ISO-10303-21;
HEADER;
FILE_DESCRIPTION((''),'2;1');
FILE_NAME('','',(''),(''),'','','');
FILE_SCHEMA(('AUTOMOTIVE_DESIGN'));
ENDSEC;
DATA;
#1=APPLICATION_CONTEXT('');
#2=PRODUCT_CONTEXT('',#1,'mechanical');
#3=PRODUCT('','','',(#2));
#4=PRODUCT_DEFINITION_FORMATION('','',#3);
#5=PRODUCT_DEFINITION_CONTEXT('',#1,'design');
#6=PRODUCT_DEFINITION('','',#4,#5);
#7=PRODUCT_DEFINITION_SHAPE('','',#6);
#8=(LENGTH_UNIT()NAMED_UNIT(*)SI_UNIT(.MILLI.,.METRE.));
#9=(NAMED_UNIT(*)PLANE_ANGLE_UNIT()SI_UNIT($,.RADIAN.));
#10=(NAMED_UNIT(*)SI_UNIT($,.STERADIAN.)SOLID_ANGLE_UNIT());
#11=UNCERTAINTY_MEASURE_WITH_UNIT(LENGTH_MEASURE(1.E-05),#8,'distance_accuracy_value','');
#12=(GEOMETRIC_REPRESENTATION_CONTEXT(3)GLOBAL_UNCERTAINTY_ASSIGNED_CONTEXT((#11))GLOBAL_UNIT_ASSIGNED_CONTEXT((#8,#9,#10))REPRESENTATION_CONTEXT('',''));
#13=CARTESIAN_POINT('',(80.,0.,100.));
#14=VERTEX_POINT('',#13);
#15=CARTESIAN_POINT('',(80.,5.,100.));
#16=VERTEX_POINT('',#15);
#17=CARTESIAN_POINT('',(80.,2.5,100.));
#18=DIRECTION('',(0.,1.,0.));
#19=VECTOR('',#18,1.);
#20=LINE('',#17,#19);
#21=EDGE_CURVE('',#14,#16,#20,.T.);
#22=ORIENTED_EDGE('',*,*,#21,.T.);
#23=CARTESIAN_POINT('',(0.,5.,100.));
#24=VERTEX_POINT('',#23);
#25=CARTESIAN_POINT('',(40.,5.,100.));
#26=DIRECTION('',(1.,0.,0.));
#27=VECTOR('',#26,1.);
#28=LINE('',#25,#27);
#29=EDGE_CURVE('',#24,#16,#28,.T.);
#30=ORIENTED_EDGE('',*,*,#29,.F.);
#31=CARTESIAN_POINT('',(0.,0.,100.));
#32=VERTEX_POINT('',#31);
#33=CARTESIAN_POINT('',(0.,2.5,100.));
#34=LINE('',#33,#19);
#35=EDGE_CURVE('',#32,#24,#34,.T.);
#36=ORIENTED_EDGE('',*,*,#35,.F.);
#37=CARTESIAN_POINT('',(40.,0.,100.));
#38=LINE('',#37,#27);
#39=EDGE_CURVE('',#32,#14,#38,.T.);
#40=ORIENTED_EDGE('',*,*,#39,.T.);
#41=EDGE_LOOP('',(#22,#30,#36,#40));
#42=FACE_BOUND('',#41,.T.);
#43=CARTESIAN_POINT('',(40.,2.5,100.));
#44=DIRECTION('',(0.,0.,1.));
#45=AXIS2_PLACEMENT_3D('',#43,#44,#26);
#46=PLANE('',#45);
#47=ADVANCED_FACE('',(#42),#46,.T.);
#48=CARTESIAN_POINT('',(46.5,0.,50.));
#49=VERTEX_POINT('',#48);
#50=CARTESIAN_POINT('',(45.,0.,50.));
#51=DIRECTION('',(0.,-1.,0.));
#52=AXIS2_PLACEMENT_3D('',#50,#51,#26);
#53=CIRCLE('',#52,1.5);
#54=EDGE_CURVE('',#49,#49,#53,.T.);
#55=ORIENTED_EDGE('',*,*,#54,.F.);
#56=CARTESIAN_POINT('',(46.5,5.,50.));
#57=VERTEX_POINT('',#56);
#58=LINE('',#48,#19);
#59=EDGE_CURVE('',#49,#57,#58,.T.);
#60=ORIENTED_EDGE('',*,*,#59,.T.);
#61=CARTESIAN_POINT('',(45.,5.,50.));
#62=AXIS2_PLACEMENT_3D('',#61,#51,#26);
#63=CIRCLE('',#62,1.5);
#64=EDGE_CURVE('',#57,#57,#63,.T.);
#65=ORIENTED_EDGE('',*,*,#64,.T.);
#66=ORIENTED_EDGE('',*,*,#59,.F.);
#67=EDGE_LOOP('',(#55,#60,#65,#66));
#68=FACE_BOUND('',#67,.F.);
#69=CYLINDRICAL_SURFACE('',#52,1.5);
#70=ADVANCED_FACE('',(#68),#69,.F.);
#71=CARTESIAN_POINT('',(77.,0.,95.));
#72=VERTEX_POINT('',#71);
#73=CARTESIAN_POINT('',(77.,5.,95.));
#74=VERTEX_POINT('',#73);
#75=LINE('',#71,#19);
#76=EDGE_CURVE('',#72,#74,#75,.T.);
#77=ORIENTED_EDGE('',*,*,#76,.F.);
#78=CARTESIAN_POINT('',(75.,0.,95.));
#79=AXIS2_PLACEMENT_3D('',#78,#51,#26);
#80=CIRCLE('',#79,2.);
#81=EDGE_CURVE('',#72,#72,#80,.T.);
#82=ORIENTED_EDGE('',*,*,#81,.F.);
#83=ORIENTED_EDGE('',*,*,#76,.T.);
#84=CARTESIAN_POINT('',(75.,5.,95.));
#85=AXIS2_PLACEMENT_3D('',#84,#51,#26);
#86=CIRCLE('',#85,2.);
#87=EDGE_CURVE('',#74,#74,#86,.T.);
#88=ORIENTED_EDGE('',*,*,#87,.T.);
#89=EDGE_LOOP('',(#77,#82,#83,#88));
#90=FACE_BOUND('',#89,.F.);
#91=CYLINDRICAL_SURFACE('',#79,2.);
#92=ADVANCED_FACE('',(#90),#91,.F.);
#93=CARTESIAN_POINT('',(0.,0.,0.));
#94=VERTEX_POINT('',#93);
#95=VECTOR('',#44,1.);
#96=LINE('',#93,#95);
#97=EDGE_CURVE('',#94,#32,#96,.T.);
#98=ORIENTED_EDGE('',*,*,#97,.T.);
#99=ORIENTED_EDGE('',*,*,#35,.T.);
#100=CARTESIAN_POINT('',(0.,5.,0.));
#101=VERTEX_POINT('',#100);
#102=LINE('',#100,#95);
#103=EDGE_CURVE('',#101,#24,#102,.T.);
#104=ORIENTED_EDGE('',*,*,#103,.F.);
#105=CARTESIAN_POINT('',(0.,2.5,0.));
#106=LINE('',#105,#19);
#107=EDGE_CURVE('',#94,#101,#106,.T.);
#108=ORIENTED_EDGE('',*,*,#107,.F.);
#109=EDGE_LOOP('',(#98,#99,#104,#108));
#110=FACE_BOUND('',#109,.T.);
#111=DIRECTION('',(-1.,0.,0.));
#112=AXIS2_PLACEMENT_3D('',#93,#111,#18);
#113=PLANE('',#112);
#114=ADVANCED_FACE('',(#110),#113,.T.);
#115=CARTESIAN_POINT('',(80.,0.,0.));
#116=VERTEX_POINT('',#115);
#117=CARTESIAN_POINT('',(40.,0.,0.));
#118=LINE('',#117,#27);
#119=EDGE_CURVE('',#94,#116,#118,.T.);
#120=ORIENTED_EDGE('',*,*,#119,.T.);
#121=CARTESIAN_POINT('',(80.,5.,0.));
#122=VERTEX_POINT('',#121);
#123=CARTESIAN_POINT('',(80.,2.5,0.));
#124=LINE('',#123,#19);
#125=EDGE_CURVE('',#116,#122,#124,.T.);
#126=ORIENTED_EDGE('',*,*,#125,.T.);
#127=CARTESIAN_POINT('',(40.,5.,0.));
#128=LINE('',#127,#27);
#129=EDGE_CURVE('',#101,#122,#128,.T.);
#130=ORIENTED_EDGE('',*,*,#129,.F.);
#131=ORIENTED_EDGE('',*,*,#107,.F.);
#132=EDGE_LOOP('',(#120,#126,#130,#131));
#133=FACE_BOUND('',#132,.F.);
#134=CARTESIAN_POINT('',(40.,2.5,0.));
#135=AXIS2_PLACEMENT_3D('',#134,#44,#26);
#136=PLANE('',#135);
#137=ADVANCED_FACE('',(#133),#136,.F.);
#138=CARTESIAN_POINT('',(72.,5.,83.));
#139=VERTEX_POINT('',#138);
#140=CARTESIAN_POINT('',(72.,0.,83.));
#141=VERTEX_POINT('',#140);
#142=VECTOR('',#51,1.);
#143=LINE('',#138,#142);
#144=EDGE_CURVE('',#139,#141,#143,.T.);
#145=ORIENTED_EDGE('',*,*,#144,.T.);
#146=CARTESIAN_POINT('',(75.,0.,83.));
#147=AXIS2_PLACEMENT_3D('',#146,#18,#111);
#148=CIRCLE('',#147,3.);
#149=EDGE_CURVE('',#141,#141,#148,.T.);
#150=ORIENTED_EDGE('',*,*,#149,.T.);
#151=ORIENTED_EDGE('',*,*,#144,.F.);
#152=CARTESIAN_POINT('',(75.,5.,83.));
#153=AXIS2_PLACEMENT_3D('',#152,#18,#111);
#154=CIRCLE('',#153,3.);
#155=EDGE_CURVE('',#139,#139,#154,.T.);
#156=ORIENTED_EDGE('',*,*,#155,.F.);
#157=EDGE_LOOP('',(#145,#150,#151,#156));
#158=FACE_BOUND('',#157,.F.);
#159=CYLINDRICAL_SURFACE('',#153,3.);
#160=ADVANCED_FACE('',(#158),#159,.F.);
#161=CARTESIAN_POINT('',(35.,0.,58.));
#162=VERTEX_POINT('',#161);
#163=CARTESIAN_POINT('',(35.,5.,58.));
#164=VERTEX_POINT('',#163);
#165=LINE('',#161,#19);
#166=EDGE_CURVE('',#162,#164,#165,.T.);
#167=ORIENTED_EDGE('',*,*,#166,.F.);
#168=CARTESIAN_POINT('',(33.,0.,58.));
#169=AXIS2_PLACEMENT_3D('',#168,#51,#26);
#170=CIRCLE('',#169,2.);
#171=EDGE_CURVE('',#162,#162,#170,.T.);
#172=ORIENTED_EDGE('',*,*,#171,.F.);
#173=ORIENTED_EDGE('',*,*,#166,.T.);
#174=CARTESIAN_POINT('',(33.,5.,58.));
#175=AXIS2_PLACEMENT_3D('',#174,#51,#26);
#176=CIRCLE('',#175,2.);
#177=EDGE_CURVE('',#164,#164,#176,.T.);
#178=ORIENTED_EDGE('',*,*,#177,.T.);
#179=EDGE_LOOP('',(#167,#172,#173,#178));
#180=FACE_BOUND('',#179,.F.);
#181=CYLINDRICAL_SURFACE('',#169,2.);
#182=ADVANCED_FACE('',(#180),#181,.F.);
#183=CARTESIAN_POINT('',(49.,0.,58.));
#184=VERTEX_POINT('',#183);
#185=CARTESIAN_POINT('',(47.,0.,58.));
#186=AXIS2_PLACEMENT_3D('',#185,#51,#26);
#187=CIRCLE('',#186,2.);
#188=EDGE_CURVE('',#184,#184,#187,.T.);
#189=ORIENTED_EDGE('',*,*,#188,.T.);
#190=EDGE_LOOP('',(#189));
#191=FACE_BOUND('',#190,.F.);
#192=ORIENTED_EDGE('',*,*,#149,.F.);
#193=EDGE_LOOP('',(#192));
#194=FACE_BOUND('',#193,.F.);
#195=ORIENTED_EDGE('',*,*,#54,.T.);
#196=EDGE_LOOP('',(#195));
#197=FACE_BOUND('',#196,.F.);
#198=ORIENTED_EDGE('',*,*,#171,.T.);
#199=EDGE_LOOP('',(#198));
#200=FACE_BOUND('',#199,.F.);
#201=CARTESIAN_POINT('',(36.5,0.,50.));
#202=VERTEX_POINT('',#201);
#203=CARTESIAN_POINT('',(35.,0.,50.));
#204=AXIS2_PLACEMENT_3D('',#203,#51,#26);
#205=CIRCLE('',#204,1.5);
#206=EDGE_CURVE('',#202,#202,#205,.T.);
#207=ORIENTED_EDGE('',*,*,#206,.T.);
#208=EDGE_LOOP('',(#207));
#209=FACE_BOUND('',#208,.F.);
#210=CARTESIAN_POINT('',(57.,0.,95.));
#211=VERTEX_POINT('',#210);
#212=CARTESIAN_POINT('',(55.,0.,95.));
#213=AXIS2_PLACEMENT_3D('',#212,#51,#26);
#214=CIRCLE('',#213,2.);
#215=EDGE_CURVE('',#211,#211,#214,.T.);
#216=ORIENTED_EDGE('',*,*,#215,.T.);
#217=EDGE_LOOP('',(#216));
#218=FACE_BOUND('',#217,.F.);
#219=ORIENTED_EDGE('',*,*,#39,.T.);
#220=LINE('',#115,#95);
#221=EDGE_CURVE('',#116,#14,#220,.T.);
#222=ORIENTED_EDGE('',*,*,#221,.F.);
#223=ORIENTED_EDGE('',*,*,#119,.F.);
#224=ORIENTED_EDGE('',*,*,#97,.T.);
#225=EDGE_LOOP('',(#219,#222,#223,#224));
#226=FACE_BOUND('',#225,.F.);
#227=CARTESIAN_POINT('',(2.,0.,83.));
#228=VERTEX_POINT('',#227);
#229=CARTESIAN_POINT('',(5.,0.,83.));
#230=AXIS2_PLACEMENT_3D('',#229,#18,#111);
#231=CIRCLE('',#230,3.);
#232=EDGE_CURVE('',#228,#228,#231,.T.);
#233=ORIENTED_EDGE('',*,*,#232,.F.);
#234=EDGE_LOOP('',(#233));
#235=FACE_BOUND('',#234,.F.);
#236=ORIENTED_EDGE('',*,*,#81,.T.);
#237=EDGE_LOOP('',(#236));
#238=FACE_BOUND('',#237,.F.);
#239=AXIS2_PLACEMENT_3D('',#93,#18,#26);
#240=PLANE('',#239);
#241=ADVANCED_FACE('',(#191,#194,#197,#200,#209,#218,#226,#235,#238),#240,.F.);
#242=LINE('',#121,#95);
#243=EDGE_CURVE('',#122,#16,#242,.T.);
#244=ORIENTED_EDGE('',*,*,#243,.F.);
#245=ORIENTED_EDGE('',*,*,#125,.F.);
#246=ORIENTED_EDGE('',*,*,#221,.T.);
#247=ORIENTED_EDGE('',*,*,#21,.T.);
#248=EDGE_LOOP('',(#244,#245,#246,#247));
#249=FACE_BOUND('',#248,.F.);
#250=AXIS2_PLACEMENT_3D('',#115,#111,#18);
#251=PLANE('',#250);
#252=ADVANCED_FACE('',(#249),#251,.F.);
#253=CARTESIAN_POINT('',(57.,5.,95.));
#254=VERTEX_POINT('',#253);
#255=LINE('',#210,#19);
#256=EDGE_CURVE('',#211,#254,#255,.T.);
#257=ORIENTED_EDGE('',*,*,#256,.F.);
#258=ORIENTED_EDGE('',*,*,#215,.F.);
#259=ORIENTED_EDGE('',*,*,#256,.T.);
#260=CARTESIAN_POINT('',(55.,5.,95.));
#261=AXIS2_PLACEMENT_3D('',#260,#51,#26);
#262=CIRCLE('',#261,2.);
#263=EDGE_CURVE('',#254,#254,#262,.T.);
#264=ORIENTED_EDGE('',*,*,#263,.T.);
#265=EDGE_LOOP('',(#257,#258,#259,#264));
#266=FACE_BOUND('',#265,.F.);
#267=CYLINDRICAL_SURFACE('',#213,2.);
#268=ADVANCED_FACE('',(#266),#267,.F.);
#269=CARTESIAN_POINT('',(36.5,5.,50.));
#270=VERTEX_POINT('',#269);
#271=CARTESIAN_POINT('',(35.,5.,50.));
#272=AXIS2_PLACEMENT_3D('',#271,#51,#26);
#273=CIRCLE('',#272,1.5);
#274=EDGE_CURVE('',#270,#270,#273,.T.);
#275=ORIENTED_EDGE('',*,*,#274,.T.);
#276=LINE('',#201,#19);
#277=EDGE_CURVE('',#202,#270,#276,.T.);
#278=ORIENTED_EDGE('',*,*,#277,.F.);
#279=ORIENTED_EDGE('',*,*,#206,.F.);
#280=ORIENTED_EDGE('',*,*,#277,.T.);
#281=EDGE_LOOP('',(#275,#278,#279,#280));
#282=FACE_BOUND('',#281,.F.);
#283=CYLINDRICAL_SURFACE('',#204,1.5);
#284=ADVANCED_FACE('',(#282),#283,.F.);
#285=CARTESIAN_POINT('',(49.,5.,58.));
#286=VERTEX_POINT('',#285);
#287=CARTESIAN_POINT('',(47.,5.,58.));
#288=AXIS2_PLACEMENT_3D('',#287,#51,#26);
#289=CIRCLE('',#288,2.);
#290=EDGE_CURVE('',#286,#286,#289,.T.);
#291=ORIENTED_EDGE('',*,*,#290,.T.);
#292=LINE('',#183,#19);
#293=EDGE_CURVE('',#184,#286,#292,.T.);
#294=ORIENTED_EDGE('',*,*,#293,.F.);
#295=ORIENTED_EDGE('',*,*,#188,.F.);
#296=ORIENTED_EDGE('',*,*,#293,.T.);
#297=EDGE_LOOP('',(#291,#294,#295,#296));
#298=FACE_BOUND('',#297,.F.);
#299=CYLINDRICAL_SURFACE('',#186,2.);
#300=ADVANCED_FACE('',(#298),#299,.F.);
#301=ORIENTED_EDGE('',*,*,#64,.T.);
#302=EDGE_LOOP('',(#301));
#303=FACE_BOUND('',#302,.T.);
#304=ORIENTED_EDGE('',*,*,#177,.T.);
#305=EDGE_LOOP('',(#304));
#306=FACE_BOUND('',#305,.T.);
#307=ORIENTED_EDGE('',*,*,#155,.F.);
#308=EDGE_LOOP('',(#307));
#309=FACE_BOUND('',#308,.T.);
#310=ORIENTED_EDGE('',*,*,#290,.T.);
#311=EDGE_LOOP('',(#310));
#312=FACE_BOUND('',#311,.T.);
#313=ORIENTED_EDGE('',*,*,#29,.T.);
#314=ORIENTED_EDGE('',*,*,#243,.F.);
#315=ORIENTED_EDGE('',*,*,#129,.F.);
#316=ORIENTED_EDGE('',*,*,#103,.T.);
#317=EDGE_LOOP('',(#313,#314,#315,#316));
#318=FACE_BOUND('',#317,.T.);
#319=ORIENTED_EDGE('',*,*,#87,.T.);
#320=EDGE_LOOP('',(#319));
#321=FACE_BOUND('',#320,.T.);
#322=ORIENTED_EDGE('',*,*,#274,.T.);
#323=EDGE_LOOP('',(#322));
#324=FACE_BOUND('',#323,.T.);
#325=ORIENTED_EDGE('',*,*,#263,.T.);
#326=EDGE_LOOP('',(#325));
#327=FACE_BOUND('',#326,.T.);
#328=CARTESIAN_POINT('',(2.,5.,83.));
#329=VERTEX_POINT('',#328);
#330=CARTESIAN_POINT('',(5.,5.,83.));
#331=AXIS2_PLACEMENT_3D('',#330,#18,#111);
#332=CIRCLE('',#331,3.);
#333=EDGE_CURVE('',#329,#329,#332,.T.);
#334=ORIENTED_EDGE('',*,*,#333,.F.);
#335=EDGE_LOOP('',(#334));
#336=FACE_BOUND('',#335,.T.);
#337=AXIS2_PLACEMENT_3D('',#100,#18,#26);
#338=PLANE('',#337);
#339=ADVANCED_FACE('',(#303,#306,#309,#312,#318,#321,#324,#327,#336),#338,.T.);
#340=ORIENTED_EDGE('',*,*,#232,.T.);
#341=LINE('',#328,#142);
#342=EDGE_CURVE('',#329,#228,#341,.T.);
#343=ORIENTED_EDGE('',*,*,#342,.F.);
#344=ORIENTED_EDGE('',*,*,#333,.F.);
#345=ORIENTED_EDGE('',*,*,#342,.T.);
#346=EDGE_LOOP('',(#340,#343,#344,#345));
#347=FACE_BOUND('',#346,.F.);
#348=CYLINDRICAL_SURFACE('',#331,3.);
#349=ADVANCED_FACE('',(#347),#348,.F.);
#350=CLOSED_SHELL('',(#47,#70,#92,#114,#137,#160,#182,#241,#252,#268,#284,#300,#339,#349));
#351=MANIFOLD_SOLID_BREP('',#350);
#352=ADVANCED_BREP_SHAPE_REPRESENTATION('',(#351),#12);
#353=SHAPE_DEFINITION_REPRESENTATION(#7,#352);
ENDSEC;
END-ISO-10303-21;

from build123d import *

# Parameters (mm, degrees)
F0_W     = 80
F0_H     = 5
F1_DEPTH = 100
F2_R     = 3
F3_DEPTH = 25
F4_R     = 1.5
F5_DEPTH = 25
F6_R     = 2
F7_DEPTH = 25
F8_R     = 2
F9_DEPTH = 25


with BuildPart() as f1:
    # F0 (on Top) → F1 (new body)
    with BuildSketch(Plane.XY):
        with Locations((40, 2.5)):
            Rectangle(F0_W, F0_H)
    extrude(amount=F1_DEPTH)

    # F2 (on face) → F3 (cut)
    with BuildSketch(Plane(origin=(0, 5, 0), x_dir=(-1, 0, 0), z_dir=(0, 1, 0))):
        with Locations((-5, 83)):
            Circle(F2_R)
        with Locations((-75, 83)):
            Circle(F2_R)
    extrude(amount=-F3_DEPTH, mode=Mode.SUBTRACT)

    # F4 (on face) → F5 (cut)
    with BuildSketch(Plane.XZ):
        with Locations((45, 50)):
            Circle(F4_R)
        with Locations((35, 50)):
            Circle(F4_R)
    extrude(amount=-F5_DEPTH, mode=Mode.SUBTRACT)

    # F6 (on face) → F7 (cut)
    with BuildSketch(Plane.XZ):
        with Locations((75, 95)):
            Circle(F6_R)
        with Locations((55, 95)):
            Circle(F6_R)
    extrude(amount=-F7_DEPTH, mode=Mode.SUBTRACT)

    # F8 (on face) → F9 (cut)
    with BuildSketch(Plane.XZ):
        with Locations((33, 58)):
            Circle(F8_R)
        with Locations((47, 58)):
            Circle(F8_R)
    extrude(amount=-F9_DEPTH, mode=Mode.SUBTRACT)


solid = f1.part
